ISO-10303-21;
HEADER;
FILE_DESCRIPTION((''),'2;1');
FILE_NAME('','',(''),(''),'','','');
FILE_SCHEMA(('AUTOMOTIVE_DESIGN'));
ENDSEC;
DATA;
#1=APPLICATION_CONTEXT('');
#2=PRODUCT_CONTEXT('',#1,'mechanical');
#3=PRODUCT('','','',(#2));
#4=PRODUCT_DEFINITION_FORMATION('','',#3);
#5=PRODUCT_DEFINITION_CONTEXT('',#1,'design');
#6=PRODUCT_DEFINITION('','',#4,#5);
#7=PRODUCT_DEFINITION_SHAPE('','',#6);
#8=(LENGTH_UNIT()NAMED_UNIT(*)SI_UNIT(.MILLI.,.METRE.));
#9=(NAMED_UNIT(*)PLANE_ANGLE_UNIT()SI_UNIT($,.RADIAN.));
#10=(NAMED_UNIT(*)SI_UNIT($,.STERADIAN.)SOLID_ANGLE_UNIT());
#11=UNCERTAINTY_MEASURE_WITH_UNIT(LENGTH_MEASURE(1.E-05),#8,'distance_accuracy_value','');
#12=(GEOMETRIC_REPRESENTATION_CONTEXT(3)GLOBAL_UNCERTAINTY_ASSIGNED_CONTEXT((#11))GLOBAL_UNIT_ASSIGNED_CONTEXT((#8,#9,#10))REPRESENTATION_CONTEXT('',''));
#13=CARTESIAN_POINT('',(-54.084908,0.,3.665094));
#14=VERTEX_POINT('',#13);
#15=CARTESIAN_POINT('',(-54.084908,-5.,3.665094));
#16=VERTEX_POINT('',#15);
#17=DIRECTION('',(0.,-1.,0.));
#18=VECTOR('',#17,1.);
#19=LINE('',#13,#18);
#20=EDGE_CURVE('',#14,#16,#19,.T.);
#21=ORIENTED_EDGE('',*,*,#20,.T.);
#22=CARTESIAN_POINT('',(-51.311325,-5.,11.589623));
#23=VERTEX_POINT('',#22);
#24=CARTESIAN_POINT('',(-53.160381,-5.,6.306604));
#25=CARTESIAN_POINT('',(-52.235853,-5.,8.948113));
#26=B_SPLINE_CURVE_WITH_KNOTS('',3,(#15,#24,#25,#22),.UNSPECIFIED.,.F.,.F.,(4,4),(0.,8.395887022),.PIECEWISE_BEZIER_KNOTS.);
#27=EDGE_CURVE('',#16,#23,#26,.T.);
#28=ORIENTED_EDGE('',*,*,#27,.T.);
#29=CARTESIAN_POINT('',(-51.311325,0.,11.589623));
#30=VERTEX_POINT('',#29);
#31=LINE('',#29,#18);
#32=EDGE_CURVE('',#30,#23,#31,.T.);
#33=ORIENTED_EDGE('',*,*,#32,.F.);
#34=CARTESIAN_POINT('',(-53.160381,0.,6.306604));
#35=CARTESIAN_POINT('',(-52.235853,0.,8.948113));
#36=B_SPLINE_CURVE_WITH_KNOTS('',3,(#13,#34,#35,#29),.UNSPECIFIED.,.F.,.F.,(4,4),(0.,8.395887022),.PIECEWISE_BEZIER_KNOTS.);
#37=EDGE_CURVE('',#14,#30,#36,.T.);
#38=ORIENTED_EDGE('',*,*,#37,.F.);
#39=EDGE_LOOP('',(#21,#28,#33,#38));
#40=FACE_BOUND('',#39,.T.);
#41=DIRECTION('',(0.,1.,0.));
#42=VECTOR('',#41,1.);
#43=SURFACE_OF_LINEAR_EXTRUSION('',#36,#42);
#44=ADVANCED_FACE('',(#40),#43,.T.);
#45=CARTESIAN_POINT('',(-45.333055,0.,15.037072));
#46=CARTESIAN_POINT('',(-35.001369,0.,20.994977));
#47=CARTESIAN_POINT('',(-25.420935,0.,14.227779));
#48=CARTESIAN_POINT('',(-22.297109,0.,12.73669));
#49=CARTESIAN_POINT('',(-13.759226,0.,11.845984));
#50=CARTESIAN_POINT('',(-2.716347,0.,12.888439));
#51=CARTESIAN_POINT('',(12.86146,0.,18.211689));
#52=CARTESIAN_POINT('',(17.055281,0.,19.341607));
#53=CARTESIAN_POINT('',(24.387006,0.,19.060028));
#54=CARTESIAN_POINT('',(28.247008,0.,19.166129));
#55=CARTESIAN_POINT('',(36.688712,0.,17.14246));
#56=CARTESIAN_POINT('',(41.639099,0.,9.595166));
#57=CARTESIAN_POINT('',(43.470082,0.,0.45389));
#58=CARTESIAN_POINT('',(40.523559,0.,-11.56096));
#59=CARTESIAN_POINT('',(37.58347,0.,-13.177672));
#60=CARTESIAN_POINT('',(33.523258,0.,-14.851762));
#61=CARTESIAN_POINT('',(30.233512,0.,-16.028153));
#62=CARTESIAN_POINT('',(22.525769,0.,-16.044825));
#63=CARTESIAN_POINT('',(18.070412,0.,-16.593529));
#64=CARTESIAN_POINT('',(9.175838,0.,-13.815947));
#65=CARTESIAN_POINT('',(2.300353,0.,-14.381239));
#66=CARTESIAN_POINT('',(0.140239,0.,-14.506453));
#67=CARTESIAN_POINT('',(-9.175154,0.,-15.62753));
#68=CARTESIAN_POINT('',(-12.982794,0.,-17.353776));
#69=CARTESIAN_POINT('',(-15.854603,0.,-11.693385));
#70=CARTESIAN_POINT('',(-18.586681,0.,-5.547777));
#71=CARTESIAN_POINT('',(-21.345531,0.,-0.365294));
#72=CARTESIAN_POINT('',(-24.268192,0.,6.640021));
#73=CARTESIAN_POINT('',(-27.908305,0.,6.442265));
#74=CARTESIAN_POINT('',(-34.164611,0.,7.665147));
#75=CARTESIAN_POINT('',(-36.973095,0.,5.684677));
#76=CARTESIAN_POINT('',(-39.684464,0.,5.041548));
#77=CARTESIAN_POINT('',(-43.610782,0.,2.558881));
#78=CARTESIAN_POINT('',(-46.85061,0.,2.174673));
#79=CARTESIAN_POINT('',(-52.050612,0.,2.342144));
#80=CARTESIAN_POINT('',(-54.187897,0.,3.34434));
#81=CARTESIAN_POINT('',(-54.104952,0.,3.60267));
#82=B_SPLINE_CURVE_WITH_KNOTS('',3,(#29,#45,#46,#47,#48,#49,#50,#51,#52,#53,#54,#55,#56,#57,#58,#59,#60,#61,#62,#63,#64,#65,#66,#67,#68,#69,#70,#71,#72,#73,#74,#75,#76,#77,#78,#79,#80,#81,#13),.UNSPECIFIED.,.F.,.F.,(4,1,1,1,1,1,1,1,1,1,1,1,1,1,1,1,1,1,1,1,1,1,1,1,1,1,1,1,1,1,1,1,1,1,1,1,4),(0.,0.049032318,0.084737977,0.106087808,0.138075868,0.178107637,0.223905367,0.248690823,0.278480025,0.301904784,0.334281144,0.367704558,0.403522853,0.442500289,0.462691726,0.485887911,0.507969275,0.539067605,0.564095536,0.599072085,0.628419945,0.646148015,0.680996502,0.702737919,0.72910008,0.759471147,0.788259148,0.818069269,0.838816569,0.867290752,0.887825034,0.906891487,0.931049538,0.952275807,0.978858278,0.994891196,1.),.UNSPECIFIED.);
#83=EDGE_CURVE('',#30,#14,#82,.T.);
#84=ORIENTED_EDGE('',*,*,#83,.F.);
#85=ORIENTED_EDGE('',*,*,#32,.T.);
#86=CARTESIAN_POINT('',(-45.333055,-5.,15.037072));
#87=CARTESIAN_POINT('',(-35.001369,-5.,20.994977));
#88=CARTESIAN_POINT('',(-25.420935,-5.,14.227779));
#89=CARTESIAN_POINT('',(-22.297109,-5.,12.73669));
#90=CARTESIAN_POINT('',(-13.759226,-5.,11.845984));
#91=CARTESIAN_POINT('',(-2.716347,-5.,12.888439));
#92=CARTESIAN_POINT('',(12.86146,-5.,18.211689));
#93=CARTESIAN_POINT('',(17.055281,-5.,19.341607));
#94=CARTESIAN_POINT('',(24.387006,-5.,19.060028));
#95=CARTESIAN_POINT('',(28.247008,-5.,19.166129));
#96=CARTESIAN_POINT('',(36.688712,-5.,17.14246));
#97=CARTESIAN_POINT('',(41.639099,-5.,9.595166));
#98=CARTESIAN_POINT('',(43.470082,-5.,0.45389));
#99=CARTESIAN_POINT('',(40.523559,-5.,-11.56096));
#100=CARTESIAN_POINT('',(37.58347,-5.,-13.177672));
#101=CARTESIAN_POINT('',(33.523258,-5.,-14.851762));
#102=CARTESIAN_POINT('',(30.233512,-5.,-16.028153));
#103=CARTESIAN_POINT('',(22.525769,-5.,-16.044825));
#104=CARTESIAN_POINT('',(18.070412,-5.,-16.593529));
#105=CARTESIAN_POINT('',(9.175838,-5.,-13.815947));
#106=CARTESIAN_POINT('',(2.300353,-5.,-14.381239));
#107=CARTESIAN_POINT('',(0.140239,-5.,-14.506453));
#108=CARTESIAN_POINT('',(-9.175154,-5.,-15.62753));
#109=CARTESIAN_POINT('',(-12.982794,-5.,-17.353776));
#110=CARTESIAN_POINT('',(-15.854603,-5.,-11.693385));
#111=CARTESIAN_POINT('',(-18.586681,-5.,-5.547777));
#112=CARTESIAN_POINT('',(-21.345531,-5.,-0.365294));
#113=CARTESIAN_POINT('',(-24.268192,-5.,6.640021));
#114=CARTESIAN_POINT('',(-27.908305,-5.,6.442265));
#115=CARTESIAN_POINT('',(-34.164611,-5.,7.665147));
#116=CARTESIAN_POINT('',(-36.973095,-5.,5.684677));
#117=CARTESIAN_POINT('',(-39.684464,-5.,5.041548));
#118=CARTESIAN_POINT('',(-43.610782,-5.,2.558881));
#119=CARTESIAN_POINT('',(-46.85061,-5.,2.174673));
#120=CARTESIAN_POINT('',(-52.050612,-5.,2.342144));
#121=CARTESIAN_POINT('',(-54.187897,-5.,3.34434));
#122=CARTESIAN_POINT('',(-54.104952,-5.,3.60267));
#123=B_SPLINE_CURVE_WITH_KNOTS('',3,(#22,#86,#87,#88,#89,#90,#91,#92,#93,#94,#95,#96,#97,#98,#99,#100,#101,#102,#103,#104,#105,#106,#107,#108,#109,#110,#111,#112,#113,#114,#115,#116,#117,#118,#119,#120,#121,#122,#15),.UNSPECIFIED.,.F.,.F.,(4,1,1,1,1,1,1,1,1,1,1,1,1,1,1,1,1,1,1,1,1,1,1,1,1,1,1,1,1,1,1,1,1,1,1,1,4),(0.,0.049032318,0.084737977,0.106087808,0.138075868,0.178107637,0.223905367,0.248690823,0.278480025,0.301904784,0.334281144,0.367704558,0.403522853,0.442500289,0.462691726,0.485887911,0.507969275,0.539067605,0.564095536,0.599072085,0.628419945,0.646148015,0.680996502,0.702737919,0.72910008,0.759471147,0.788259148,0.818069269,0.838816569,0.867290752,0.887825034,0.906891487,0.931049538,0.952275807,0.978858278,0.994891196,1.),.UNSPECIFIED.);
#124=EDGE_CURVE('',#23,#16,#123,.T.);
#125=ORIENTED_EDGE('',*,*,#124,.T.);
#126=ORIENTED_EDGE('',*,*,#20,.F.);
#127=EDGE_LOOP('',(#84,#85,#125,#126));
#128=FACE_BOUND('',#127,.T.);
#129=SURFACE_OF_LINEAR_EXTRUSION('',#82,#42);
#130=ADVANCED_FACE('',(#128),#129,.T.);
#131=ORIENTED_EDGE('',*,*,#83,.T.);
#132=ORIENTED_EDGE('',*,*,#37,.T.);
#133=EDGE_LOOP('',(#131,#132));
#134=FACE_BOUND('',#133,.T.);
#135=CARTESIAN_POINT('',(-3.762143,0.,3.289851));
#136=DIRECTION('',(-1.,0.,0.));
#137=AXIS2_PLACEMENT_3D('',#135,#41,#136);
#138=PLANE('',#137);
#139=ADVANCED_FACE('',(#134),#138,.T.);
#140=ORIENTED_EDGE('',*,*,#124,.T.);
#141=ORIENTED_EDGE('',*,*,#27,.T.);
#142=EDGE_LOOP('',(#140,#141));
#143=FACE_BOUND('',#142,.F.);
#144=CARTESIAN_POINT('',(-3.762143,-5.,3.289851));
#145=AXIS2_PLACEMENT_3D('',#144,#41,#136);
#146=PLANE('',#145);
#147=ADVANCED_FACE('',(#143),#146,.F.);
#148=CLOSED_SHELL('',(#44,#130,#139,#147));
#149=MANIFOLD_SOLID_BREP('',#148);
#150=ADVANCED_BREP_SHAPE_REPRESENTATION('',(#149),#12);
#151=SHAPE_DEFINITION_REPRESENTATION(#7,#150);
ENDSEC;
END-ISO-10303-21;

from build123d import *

# Parameters (mm, degrees)
F1_DEPTH = 5


with BuildPart() as f1:
    # F0 (on Front) → F1 (new body)
    with BuildSketch(Plane.XZ):
        with BuildLine():
            add(Edge.make_bspline(
                [(-51.3113252819, 11.5896230564), (-45.3330552558, 15.0370723041), (-35.0013693178, 20.9949769754), (-25.4209348685, 14.2277789456), (-22.2971093008, 12.7366903926), (-13.7592261673, 11.8459841634), (-2.7163466342, 12.88843916), (12.8614596718, 18.2116885542), (17.0552809607, 19.3416070573), (24.3870057533, 19.0600283971), (28.2470079669, 19.1661286099), (36.6887118326, 17.142460169), (41.6390989165, 9.5951661606), (43.4700815019, 0.4538895605), (40.5235588072, -11.5609597578), (37.5834701502, -13.1776719692), (33.5232583903, -14.8517615703), (30.2335121547, -16.028152546), (22.5257688892, -16.0448248287), (18.0704119461, -16.5935291016), (9.1758377729, -13.8159469262), (2.300352716, -14.3812385702), (0.1402392526, -14.5064527846), (-9.1751537356, -15.6275300454), (-12.9827935342, -17.3537762219), (-15.8546032913, -11.6933851465), (-18.5866813457, -5.5477766186), (-21.3455311454, -0.3652939314), (-24.2681915598, 6.6400210468), (-27.9083048437, 6.4422648761), (-34.1646106621, 7.6651467468), (-36.9730949501, 5.6846771318), (-39.6844643223, 5.0415483308), (-43.6107816052, 2.5588813531), (-46.8506103384, 2.1746727903), (-52.0506115632, 2.3421440055), (-54.1878972083, 3.3443398334), (-54.1049516471, 3.6026699322), (-54.0849082172, 3.6650942639)],
                knots=[0, 0, 0, 0, 0.0490323177, 0.0847379768, 0.106087808, 0.1380758676, 0.1781076374, 0.2239053673, 0.2486908232, 0.278480025, 0.3019047843, 0.3342811437, 0.367704558, 0.4035228526, 0.4425002893, 0.4626917256, 0.4858879109, 0.507969275, 0.5390676046, 0.5640955355, 0.599072085, 0.6284199448, 0.6461480149, 0.6809965016, 0.7027379189, 0.7291000797, 0.7594711475, 0.7882591482, 0.8180692689, 0.8388165693, 0.8672907525, 0.8878250341, 0.9068914866, 0.9310495383, 0.9522758067, 0.9788582783, 0.994891196, 1, 1, 1, 1], degree=3))
            add(Edge.make_bspline(
                [(-54.0849082172, 3.6650942639), (-53.1603805721, 6.3066038614), (-52.235852927, 8.9481134589), (-51.3113252819, 11.5896230564)],
                knots=[0, 0, 0, 0, 8.3958870218, 8.3958870218, 8.3958870218, 8.3958870218], degree=3))
        make_face()
    extrude(amount=F1_DEPTH)


solid = f1.part
